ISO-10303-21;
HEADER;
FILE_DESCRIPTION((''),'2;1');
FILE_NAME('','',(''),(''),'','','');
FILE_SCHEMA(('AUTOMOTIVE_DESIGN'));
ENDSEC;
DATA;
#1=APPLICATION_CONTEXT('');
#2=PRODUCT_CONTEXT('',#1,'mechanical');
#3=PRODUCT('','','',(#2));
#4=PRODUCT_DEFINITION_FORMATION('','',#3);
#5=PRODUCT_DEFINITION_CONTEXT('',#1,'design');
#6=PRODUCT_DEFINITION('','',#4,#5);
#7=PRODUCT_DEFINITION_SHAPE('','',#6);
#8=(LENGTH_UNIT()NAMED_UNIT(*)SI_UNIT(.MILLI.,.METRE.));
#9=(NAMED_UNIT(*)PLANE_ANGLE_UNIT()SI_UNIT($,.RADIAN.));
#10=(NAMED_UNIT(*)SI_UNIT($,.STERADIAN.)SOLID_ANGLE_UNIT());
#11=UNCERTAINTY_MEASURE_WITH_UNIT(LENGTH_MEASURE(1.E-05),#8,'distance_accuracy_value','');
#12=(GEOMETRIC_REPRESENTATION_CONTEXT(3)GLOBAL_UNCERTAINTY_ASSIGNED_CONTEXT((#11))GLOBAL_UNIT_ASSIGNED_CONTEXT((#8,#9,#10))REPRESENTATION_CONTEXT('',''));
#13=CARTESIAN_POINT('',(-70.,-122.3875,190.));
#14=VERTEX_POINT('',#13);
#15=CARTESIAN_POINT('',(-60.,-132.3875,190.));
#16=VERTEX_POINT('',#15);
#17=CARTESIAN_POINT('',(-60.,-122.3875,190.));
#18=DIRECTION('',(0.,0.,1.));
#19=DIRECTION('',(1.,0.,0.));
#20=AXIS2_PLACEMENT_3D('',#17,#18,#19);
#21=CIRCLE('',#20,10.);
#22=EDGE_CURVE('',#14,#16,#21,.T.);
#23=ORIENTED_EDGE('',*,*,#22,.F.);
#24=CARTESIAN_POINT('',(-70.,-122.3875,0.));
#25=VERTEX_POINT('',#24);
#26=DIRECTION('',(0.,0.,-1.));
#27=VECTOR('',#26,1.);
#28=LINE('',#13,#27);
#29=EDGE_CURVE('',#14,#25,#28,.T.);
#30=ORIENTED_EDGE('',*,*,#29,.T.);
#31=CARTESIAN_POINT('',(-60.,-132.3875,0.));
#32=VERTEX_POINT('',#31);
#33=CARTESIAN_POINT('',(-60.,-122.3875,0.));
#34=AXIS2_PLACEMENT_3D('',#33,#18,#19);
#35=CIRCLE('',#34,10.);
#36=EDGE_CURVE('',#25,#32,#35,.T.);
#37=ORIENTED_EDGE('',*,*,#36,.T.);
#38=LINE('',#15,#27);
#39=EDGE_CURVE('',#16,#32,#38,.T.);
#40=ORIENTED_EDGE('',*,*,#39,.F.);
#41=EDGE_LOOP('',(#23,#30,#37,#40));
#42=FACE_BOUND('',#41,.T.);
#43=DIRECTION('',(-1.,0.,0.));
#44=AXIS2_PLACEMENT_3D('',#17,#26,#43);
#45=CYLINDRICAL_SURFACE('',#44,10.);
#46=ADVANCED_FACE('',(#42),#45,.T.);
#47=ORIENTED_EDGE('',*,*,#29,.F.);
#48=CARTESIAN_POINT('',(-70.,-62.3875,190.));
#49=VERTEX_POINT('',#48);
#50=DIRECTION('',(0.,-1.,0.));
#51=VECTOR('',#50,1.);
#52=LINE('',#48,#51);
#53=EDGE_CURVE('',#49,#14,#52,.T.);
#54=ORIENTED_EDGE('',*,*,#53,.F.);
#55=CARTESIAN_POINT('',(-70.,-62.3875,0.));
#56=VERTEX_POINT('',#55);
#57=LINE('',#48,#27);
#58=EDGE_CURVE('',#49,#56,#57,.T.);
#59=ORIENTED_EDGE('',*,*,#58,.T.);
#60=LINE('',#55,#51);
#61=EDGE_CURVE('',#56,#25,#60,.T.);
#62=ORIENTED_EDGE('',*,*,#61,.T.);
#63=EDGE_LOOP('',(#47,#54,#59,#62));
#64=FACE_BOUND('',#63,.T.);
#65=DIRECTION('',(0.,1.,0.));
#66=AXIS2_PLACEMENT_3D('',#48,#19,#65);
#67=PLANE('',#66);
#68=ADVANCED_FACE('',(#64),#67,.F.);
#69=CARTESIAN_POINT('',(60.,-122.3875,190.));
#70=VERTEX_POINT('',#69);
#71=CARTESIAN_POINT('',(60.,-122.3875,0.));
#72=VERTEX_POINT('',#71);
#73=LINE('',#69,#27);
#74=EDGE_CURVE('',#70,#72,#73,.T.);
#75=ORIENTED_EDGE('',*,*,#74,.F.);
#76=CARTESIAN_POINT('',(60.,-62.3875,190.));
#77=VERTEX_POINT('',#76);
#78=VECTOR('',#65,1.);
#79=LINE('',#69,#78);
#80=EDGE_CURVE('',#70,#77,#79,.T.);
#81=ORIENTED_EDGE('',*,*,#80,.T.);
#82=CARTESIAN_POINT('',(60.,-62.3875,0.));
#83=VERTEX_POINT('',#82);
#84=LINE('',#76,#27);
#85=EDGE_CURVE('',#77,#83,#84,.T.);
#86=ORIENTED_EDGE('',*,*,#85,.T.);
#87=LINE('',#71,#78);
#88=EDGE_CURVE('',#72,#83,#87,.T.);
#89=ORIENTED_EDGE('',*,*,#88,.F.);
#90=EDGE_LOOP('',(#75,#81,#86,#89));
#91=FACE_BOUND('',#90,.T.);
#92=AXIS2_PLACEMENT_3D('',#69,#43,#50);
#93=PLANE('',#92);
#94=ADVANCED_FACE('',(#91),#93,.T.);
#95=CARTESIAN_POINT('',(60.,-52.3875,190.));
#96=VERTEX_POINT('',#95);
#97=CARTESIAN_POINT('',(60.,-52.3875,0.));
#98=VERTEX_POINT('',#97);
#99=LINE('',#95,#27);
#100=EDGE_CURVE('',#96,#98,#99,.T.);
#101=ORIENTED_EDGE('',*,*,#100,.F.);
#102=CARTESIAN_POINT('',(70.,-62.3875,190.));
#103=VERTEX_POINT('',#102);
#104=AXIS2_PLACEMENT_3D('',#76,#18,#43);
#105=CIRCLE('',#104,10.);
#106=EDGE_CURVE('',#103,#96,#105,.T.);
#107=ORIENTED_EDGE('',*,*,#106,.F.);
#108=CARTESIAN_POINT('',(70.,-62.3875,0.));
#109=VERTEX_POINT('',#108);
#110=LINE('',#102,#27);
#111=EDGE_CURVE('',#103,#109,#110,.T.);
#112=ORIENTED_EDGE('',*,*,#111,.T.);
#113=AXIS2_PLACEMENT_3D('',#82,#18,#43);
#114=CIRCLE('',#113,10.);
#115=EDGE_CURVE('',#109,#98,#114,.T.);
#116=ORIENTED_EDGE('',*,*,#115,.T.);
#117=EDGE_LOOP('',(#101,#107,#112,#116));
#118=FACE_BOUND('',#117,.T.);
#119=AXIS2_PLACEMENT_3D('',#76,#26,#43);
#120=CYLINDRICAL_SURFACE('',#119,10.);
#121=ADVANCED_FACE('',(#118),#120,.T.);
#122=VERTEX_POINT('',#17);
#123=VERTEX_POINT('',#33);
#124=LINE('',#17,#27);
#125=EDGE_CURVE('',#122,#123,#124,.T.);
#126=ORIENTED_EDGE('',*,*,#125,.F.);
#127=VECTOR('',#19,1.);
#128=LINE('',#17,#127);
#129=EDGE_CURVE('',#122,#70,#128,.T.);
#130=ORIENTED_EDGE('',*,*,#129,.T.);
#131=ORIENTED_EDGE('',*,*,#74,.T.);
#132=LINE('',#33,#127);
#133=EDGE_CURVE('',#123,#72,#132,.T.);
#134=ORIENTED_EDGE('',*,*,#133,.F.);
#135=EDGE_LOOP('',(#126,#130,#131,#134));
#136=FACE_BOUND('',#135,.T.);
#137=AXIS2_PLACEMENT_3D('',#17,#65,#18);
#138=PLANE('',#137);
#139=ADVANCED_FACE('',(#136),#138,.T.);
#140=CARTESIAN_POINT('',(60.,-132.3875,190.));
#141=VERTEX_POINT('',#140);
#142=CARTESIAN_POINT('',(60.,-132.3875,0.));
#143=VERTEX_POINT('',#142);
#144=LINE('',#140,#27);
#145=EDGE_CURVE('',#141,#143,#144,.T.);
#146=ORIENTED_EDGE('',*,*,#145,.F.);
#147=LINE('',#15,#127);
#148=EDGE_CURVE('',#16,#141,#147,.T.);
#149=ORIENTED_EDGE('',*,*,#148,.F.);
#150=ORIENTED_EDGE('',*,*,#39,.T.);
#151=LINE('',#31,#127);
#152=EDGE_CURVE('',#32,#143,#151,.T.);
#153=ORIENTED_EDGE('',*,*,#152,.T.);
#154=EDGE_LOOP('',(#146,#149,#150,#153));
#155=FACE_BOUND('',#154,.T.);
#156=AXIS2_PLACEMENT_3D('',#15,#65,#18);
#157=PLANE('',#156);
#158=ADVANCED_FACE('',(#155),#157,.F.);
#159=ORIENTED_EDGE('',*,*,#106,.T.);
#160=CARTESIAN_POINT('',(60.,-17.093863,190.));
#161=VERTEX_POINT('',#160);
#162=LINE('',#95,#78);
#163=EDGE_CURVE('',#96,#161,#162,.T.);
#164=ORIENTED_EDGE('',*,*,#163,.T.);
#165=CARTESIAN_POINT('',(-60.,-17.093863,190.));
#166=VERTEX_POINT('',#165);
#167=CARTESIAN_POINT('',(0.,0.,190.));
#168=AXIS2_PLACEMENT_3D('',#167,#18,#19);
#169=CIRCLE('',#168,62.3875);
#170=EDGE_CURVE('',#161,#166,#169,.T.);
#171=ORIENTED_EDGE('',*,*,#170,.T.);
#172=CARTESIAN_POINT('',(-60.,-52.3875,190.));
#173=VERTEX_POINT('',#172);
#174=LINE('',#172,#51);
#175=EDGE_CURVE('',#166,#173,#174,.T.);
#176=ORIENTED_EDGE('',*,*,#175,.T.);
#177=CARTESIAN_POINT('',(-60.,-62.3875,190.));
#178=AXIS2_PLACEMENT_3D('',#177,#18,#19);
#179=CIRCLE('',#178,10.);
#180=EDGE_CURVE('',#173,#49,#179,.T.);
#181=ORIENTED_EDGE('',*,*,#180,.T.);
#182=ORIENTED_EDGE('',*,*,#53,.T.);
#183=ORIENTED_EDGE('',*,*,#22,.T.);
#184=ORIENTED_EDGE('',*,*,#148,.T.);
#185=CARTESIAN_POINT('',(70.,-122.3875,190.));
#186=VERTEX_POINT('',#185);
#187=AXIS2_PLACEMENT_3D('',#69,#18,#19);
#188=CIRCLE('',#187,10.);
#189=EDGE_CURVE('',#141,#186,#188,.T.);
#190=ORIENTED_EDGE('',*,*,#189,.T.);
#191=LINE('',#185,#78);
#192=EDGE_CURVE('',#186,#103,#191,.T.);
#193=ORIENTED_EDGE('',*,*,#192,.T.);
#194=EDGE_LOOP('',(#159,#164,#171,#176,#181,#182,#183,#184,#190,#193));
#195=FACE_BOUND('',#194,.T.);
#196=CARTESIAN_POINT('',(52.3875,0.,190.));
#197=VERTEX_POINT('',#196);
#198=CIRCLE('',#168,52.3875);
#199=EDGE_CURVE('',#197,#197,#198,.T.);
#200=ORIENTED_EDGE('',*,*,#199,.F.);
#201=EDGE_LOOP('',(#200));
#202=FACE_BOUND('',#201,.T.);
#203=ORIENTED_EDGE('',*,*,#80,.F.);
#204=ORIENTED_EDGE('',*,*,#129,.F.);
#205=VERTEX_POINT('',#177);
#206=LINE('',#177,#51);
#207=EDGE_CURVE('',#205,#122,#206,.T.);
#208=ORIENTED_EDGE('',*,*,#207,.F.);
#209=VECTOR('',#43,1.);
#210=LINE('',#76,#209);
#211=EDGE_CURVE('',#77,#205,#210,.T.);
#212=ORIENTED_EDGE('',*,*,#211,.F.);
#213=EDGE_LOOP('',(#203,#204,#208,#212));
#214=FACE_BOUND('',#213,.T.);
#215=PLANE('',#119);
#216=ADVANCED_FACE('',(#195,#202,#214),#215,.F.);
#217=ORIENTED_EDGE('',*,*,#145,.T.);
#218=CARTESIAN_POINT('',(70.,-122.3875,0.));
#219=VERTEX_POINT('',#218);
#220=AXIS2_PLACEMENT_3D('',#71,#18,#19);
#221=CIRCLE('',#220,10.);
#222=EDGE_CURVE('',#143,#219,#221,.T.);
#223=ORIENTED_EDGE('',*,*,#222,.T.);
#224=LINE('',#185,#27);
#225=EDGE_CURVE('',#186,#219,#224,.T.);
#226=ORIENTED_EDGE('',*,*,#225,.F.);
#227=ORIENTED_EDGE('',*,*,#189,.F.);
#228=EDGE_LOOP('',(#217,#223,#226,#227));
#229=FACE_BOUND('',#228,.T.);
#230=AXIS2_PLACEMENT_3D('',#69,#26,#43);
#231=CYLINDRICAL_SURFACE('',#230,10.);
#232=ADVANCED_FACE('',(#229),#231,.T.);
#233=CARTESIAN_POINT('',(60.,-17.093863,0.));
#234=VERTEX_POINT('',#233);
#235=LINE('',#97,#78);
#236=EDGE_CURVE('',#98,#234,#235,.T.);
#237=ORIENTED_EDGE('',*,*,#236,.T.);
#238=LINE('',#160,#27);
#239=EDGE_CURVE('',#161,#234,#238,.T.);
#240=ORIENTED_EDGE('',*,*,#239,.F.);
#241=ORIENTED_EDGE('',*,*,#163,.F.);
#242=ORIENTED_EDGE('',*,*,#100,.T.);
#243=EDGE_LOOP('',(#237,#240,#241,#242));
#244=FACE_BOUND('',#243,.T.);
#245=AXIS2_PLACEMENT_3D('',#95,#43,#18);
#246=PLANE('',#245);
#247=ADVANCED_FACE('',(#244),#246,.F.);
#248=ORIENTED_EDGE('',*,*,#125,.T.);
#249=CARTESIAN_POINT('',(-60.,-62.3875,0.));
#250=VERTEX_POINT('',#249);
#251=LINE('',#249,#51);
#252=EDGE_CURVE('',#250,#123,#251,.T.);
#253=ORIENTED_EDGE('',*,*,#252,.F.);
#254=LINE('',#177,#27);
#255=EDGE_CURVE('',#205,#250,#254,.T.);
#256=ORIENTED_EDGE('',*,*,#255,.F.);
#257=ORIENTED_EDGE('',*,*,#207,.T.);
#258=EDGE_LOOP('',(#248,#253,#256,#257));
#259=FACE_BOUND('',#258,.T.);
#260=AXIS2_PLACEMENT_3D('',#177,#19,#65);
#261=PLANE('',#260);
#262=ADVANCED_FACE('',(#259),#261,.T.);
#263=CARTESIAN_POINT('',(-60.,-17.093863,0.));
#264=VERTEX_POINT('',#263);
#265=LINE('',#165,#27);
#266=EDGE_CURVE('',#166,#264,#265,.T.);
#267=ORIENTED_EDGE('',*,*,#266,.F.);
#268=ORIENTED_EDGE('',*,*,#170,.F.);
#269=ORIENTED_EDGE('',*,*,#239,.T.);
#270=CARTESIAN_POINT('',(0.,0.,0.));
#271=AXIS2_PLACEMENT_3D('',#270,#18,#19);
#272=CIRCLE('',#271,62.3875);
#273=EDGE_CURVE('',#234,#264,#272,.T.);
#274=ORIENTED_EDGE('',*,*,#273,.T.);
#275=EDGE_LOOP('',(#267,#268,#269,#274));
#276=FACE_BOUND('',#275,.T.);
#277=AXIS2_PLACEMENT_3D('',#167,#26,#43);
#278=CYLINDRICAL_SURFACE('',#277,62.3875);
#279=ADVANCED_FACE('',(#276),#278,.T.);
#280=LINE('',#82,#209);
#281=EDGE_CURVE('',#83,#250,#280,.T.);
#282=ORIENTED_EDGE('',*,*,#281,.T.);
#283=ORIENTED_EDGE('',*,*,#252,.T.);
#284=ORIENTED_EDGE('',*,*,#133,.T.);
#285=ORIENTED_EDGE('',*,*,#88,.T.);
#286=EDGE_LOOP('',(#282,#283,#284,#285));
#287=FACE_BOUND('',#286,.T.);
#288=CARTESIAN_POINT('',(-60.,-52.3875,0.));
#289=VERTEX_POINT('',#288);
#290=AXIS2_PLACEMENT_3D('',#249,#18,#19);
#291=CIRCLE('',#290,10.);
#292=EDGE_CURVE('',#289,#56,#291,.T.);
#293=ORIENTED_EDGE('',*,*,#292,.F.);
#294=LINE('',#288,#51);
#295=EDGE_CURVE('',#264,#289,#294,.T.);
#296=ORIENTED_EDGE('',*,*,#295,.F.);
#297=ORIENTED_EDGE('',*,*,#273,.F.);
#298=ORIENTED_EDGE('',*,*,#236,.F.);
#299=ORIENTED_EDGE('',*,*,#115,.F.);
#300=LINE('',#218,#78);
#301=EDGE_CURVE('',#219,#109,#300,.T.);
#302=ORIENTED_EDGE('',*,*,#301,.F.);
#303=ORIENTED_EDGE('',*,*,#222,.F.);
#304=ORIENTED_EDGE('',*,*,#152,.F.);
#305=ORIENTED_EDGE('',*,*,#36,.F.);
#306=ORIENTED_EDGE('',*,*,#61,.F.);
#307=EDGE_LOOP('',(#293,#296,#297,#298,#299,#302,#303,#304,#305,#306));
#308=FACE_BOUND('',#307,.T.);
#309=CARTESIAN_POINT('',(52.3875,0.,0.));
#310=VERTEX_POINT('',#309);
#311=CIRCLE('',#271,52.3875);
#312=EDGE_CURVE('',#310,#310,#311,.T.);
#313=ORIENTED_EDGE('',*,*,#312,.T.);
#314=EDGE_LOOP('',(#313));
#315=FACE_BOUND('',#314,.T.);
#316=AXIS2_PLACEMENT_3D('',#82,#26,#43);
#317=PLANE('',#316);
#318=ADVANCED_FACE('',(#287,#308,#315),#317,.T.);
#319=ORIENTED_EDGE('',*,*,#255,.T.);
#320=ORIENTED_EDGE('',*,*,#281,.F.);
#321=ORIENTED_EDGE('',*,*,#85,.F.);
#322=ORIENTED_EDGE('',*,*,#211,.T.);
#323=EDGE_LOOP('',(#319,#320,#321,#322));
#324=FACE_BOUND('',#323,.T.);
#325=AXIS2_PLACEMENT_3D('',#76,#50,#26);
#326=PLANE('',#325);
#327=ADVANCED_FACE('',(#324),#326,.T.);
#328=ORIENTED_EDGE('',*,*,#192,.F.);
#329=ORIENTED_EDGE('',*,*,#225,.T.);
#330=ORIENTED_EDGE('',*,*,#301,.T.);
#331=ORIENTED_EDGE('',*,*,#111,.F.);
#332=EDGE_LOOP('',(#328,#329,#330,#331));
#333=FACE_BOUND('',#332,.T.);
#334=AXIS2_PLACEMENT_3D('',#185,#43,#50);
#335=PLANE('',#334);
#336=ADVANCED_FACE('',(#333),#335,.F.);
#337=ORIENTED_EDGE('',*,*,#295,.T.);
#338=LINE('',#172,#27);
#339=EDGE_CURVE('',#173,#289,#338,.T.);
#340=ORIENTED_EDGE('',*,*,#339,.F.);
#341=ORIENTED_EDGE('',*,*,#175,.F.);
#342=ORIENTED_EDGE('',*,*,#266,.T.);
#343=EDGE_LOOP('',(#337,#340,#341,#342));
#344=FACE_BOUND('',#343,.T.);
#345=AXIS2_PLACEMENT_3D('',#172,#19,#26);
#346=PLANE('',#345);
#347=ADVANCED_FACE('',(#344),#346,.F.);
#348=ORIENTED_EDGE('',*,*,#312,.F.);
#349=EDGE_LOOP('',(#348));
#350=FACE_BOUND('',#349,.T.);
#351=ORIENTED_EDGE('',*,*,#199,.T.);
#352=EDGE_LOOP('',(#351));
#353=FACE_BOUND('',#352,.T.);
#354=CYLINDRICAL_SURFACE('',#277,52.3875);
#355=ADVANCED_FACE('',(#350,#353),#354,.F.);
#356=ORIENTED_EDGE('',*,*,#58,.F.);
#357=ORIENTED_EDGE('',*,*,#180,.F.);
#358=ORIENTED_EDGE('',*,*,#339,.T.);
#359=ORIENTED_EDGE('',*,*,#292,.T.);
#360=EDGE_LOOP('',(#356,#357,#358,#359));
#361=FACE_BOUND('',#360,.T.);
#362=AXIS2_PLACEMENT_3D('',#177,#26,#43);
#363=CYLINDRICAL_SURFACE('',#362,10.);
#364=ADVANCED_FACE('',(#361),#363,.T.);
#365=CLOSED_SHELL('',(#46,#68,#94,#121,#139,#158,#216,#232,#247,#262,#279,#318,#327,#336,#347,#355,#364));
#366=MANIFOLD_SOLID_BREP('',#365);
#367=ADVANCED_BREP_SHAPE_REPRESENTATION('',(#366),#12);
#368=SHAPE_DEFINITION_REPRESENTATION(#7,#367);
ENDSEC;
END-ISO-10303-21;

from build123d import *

# Parameters (mm, degrees)
SKETCH1_R           = 52.3875
SKETCH1_W           = 120
SKETCH1_H           = 60
BOSS_EXTRUDE1_DEPTH = 190


with BuildPart() as part:
    # Sketch1 → Boss-Extrude1 (new body)
    with BuildSketch(Plane.XY):
        with BuildLine():
            Line((-70, -62.3875), (-70, -122.3875))
            ThreePointArc((-70, -122.3875), (-67.071067812, -129.458567812), (-60, -132.3875))
            Line((-60, -132.3875), (60, -132.3875))
            ThreePointArc((60, -132.3875), (67.071067812, -129.458567812), (70, -122.3875))
            Line((70, -122.3875), (70, -62.3875))
            ThreePointArc((70, -62.3875), (67.071067812, -55.316432188), (60, -52.3875))
            Line((60, -52.3875), (60, -17.093863117))
            ThreePointArc((60, -17.093863117), (0, 62.3875), (-60, -17.093863117))
            Line((-60, -17.093863117), (-60, -52.3875))
            ThreePointArc((-60, -52.3875), (-67.071067812, -55.316432188), (-70, -62.3875))
        make_face()
        Circle(SKETCH1_R, mode=Mode.SUBTRACT)
        with Locations((0, -92.3875)):
            Rectangle(SKETCH1_W, SKETCH1_H, mode=Mode.SUBTRACT)
    extrude(amount=BOSS_EXTRUDE1_DEPTH)


solid = part.part
